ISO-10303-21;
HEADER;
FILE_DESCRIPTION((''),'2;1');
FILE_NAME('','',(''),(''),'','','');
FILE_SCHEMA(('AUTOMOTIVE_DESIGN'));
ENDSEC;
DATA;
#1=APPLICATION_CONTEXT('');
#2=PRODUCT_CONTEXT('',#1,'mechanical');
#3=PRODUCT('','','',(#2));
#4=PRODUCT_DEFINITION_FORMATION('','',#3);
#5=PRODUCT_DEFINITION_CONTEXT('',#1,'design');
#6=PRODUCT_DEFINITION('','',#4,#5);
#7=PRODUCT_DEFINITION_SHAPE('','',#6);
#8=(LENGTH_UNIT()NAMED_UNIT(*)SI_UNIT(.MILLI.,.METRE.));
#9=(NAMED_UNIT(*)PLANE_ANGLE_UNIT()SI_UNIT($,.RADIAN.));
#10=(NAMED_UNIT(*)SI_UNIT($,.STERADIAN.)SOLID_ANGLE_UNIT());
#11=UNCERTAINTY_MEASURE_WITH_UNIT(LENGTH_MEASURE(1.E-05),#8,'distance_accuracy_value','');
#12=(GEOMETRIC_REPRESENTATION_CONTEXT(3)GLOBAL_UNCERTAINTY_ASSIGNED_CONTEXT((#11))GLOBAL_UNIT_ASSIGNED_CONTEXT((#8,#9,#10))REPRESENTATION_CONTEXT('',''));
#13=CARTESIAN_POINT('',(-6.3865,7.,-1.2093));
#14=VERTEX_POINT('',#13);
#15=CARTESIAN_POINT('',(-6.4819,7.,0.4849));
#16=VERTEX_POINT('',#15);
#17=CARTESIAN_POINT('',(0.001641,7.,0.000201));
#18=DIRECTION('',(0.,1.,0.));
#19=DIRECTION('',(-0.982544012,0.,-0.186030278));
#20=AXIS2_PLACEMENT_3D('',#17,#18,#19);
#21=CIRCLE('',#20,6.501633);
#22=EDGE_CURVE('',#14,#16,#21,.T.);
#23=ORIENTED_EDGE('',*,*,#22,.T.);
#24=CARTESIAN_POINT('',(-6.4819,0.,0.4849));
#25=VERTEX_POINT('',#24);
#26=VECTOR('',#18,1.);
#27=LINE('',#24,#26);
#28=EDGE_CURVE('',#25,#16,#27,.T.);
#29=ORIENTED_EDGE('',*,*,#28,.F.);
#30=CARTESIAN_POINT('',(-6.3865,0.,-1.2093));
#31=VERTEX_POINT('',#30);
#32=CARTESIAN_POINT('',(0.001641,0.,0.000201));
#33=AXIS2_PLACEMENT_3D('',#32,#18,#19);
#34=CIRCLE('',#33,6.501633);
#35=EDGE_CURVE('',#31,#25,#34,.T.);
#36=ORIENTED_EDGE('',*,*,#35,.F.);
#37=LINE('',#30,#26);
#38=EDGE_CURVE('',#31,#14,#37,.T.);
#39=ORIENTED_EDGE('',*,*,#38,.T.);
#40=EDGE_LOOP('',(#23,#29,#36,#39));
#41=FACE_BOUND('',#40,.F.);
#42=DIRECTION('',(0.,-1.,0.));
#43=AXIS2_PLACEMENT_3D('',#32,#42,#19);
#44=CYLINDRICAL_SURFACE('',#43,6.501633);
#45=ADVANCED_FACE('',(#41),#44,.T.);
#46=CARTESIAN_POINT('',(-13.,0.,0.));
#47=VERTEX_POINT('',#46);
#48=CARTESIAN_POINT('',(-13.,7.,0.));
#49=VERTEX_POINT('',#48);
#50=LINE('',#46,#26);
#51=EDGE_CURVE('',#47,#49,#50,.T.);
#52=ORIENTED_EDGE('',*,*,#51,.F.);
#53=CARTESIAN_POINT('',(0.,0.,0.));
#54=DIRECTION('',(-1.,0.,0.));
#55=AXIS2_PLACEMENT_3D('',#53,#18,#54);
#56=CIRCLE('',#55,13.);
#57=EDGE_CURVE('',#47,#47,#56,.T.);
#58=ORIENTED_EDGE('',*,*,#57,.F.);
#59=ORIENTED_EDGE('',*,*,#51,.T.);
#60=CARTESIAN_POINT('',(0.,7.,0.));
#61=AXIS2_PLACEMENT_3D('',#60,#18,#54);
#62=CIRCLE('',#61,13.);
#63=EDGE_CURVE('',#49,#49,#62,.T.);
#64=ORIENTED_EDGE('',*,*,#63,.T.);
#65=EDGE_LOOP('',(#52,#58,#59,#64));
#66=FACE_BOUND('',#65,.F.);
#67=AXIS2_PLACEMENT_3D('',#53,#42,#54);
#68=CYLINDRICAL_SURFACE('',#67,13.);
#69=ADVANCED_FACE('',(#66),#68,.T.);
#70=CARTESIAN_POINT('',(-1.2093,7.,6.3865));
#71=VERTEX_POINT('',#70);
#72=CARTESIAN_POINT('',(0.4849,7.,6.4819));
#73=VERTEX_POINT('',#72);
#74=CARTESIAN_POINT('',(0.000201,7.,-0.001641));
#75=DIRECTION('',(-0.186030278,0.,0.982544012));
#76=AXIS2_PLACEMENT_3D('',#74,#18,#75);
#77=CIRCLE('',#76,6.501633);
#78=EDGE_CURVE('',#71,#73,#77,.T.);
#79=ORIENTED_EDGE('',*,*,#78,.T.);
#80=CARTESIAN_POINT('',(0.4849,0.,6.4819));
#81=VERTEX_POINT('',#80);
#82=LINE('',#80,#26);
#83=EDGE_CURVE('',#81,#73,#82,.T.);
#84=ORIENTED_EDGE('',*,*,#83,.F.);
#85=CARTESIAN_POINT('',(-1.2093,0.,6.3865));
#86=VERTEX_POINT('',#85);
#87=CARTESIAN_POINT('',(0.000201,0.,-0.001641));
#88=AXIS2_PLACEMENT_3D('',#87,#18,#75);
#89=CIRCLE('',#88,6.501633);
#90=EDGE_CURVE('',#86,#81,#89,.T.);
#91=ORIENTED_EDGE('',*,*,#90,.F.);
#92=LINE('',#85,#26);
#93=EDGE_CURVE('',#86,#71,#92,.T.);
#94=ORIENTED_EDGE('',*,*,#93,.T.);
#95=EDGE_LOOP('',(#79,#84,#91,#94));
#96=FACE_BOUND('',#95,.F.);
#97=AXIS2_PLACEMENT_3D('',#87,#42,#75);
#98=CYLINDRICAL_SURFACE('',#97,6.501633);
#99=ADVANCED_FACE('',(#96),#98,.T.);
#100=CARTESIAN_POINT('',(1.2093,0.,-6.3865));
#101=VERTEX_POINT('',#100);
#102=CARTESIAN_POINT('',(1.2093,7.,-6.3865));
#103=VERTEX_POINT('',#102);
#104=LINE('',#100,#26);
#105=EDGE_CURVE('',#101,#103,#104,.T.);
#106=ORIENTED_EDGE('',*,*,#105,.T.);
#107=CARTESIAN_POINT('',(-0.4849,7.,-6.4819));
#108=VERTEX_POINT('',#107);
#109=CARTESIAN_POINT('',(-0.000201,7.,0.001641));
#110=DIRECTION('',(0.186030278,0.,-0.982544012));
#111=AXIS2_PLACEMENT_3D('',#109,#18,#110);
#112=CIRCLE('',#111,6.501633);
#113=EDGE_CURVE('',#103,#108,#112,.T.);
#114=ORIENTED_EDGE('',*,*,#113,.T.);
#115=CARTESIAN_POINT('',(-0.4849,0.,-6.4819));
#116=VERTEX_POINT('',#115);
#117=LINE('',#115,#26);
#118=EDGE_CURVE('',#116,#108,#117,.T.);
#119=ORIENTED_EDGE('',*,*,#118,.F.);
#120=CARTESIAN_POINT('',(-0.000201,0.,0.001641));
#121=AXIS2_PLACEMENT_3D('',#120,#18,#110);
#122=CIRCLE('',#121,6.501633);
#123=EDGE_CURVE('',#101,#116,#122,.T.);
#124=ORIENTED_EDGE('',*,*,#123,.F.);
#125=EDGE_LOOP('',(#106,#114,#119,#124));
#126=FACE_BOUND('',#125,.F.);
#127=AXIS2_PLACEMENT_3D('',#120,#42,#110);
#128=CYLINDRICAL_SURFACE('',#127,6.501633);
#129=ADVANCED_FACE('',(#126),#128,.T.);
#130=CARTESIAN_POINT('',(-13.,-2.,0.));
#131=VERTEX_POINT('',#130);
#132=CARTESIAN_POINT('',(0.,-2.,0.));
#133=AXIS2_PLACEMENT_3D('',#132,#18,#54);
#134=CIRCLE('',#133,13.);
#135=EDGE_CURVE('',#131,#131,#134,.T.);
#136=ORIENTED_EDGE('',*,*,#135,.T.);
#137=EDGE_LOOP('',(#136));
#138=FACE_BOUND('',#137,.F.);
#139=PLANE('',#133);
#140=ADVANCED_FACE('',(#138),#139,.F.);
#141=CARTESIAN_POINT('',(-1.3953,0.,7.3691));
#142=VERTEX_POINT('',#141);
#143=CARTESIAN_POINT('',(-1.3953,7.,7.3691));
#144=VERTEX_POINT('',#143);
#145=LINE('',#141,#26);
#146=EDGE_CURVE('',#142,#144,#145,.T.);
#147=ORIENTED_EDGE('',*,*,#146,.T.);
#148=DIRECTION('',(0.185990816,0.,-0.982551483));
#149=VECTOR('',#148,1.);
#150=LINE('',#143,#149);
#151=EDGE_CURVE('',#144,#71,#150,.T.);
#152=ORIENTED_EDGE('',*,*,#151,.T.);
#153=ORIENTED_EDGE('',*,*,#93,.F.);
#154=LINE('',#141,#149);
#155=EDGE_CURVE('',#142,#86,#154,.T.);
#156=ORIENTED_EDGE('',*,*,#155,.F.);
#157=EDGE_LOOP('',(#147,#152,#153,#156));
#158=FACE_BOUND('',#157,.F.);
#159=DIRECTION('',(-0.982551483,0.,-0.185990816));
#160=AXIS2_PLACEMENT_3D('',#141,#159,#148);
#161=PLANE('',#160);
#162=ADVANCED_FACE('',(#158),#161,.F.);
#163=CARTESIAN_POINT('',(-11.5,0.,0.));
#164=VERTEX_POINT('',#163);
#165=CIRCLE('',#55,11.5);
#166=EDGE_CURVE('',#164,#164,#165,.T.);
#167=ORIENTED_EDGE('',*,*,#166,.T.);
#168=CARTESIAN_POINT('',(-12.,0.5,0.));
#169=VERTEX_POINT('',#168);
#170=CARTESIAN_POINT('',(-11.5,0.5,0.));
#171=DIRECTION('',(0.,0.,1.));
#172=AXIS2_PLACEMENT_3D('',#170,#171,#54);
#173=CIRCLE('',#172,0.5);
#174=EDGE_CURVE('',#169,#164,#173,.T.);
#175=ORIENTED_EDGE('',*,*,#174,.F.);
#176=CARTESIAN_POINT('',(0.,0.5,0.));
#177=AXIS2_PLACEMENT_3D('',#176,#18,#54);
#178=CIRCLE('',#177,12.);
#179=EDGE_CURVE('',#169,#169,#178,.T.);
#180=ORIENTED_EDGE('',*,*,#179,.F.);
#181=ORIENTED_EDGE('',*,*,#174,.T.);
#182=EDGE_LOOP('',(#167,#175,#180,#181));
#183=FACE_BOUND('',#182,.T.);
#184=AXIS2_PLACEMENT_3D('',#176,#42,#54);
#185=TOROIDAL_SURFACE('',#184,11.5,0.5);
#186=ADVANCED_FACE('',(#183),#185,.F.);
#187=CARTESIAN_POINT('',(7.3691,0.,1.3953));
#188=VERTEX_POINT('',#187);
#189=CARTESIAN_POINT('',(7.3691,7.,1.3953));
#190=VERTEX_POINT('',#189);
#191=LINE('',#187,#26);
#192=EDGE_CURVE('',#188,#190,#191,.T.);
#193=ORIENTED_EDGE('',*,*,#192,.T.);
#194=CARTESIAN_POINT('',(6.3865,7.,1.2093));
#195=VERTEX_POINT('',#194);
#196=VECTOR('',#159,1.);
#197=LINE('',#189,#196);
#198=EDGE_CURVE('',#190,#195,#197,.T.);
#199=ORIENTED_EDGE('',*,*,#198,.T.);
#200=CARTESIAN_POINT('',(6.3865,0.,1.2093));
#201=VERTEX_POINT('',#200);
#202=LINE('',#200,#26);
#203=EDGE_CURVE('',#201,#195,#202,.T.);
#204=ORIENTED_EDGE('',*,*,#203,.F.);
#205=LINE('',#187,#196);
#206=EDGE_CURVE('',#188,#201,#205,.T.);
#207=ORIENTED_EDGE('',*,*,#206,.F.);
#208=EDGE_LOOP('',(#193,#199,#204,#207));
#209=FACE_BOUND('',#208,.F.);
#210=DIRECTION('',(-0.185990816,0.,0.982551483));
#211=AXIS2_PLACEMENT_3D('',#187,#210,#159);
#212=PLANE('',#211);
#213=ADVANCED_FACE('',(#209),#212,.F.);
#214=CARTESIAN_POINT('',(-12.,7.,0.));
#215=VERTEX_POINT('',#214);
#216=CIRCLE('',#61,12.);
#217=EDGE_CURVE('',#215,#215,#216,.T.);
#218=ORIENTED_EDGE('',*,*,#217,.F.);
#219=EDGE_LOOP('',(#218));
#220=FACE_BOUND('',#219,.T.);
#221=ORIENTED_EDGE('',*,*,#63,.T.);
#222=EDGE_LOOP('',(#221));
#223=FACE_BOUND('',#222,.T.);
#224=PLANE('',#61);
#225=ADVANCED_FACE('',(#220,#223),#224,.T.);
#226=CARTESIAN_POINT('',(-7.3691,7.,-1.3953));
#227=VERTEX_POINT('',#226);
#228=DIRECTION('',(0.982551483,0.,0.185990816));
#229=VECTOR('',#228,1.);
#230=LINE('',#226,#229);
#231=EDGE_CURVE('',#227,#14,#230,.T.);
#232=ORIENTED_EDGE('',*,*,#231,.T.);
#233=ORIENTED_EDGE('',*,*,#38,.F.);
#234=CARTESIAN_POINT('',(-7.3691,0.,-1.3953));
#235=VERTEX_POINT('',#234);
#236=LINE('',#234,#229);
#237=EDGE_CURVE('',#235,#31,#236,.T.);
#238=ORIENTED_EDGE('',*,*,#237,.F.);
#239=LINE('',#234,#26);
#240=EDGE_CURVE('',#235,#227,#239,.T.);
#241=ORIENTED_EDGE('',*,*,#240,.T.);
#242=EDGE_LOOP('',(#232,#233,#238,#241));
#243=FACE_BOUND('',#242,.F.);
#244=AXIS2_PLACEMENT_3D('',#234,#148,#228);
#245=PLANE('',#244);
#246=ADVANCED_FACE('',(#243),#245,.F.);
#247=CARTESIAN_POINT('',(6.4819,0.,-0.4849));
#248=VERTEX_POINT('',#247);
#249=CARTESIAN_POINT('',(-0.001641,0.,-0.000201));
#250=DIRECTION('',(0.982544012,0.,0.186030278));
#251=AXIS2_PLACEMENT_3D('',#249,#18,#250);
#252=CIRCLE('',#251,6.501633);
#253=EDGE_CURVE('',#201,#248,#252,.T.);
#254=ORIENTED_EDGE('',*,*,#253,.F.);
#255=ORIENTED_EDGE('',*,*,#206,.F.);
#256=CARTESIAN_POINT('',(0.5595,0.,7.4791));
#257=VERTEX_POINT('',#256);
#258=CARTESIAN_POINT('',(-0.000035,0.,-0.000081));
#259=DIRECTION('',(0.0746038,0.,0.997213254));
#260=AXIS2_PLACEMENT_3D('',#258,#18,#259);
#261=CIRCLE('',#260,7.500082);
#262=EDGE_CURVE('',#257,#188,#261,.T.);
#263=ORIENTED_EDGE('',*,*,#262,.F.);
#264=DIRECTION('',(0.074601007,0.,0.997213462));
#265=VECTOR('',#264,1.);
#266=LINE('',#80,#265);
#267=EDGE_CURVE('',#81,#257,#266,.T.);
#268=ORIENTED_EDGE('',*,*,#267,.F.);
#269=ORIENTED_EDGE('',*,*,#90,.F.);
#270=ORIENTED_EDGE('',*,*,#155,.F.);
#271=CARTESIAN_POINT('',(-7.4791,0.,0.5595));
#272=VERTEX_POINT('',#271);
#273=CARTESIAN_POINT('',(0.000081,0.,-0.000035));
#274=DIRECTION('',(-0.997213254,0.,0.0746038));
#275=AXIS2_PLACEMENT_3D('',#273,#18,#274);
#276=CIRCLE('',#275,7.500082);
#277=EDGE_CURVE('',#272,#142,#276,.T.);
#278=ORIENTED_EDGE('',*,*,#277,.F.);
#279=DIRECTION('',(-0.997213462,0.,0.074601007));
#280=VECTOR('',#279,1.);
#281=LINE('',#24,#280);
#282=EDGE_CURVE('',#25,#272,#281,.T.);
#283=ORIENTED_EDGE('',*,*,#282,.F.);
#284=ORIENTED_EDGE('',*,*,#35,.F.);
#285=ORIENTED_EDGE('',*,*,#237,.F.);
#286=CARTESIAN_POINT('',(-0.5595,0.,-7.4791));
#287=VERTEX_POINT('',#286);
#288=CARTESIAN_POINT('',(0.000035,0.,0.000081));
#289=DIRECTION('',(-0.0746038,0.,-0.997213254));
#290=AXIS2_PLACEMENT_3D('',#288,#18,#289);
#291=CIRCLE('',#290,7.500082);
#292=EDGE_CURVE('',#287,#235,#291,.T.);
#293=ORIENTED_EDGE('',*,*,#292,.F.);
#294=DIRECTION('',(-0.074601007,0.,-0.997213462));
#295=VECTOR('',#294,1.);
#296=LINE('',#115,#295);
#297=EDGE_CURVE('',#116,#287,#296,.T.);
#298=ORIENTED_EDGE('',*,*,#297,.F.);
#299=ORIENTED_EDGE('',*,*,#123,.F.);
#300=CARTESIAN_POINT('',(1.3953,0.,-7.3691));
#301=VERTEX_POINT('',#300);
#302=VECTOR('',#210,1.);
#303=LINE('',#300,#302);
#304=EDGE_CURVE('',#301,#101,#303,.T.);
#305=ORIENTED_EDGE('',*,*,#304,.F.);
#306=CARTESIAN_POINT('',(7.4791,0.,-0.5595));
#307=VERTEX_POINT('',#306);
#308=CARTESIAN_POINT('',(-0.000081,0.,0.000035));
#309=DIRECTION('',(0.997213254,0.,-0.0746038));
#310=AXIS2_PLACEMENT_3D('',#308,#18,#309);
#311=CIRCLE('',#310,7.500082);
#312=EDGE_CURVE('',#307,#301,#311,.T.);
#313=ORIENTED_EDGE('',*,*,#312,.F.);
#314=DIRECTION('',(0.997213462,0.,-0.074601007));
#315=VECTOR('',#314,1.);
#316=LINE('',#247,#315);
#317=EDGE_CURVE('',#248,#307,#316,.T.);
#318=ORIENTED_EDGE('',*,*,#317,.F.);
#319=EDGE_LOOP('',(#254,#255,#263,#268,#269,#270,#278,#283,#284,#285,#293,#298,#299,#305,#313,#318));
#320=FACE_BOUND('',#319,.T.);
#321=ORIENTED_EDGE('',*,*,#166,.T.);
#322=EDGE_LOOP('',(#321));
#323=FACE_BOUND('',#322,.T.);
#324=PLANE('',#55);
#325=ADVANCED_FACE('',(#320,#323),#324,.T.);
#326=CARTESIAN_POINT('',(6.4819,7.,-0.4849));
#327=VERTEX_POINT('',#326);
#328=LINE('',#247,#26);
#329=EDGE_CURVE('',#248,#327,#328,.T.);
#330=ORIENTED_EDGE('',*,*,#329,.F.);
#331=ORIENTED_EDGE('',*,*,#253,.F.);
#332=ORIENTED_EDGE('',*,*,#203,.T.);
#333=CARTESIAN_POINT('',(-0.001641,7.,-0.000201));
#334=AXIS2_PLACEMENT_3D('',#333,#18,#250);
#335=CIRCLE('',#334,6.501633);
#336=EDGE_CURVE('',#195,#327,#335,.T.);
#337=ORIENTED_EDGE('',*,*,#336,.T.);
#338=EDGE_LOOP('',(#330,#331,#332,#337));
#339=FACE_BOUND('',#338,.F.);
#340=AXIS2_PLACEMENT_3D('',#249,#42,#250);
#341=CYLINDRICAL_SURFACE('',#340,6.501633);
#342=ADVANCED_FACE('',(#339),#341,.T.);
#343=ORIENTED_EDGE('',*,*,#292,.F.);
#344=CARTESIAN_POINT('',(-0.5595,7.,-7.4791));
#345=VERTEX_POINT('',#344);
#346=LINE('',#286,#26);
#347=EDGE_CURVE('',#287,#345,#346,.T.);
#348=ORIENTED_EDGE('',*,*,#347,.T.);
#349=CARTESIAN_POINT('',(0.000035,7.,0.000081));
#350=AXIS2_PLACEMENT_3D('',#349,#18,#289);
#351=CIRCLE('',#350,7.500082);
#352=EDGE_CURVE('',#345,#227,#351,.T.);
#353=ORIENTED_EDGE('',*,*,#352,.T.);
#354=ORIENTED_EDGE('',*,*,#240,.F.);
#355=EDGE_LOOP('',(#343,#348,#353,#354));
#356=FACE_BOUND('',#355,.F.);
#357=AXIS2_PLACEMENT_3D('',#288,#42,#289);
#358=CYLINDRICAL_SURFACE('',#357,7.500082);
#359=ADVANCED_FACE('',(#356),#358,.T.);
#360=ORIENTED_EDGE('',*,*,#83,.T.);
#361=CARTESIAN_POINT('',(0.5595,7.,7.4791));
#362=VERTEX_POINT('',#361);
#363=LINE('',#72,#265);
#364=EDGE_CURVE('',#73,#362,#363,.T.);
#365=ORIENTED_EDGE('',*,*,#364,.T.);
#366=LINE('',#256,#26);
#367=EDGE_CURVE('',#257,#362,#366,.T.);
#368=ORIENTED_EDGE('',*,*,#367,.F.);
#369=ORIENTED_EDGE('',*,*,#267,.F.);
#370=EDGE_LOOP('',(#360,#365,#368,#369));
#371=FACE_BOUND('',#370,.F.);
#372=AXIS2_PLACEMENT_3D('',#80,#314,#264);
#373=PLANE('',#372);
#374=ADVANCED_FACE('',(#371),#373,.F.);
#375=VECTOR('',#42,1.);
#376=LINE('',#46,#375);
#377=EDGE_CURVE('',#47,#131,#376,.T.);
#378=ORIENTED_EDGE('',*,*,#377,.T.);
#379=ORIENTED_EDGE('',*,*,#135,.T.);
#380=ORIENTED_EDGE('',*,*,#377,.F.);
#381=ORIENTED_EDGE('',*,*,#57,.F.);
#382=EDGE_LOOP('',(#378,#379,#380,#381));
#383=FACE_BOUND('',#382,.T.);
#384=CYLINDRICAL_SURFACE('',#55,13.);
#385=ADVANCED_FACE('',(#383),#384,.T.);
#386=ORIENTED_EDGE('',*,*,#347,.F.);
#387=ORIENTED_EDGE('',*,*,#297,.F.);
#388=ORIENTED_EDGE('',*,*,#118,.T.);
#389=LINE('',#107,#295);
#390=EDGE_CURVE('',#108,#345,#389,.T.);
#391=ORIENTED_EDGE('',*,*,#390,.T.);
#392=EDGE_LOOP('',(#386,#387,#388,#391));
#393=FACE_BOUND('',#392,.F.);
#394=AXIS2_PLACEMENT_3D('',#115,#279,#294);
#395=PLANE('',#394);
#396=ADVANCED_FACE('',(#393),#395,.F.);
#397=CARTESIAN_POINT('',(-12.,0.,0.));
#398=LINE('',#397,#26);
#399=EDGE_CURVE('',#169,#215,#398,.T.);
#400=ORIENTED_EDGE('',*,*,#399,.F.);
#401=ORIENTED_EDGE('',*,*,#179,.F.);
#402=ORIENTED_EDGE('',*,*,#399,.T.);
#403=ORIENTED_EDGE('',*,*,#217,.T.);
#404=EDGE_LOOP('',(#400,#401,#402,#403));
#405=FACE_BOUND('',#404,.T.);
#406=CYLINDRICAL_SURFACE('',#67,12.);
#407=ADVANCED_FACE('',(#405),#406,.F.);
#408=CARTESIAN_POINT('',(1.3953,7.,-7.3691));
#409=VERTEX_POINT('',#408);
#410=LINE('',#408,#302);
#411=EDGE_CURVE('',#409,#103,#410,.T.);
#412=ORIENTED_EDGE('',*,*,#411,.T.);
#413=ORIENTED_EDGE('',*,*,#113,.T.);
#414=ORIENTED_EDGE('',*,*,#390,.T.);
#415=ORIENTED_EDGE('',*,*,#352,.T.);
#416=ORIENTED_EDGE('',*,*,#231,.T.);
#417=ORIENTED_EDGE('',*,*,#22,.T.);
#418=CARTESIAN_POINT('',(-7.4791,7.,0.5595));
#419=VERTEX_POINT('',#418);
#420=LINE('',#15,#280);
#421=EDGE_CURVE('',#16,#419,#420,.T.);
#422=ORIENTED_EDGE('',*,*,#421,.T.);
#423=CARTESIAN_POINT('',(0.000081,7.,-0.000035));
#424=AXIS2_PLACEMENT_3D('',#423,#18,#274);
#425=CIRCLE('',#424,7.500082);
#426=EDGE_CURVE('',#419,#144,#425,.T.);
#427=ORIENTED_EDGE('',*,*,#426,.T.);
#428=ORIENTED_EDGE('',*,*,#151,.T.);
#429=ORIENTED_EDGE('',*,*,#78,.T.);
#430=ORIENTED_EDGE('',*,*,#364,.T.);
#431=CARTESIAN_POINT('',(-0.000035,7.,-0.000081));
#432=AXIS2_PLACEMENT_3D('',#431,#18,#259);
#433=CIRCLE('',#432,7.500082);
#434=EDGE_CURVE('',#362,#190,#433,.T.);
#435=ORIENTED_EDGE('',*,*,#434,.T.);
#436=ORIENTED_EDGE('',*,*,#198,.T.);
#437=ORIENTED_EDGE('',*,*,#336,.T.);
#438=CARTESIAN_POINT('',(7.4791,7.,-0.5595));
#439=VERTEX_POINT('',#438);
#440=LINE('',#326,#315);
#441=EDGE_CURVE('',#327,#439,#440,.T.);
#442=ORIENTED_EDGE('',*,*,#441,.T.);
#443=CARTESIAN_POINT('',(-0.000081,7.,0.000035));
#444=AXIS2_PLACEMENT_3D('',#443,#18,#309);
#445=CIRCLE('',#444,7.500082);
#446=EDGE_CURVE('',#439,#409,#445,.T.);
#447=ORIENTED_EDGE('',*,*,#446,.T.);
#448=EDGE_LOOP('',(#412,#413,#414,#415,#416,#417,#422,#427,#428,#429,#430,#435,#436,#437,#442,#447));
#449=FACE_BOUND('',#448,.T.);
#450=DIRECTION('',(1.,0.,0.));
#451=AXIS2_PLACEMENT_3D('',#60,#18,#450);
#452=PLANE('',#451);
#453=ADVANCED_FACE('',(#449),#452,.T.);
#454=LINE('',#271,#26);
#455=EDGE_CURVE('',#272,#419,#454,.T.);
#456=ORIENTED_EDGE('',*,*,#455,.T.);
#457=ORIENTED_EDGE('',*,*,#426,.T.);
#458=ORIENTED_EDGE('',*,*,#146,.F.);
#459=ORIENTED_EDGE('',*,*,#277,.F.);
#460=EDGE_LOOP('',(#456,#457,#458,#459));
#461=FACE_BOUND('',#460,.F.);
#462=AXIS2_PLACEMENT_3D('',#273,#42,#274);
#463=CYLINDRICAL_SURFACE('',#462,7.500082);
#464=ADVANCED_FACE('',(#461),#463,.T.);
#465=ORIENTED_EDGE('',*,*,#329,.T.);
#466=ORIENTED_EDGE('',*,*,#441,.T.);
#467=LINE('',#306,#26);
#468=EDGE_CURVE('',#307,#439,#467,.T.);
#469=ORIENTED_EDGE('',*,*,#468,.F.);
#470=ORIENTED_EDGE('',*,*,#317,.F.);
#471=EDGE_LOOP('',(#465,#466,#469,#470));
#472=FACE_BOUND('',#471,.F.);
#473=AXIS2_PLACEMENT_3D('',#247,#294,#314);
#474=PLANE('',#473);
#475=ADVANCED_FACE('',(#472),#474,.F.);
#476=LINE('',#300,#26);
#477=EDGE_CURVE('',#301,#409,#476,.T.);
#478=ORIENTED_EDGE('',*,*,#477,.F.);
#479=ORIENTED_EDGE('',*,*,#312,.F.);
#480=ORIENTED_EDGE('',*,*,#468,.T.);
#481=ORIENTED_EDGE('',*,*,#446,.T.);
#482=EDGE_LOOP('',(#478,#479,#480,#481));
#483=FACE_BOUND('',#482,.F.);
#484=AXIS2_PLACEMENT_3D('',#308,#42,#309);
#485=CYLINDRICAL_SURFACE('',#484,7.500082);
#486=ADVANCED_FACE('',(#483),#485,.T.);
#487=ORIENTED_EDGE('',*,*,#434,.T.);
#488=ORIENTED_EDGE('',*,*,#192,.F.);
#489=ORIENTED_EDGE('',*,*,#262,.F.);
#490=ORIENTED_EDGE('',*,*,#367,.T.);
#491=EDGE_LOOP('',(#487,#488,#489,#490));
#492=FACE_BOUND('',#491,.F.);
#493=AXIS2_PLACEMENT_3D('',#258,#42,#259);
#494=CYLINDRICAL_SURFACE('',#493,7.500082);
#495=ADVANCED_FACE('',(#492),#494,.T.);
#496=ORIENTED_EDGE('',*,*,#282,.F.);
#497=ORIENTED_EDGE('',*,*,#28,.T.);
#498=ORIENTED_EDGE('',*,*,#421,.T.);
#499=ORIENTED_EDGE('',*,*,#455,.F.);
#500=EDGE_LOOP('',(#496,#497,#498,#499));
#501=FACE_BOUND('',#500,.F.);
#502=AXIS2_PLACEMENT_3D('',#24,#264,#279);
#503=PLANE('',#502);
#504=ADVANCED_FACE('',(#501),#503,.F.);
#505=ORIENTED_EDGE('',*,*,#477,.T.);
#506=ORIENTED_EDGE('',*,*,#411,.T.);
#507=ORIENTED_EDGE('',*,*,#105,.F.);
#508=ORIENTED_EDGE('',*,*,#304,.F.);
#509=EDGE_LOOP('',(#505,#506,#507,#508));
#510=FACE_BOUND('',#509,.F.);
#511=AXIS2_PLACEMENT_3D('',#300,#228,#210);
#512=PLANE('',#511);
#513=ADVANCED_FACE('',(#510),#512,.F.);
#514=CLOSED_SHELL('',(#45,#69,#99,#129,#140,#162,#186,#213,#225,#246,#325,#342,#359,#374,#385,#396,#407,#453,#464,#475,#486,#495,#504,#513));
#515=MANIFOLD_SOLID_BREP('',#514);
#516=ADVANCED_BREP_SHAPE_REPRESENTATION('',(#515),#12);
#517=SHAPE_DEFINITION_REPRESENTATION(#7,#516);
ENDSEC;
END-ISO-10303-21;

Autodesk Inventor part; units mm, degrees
ref_plane "YZ Plane" through (0, 0, 0) normal (1, 0, 0) x (0, 1, 0)
ref_plane "XZ Plane" through (0, 0, 0) normal (0, 1, 0) x (-1, 0, 0)
ref_plane "XY Plane" through (0, 0, 0) normal (0, 0, 1) x (1, 0, 0)
sketch "Szkic1" plane through (0, 0, 0) normal (0, 1, 0) x (-1, 0, 0)
  circle A0 centre (0, 0) radius 12
  circle A1 centre (0, 0) radius 13
  dimension "d0" = 24
  dimension "d1" = 1
extrude "Wyciągnięcie proste1" add sketch "Szkic1" along normal blind 7
extrude "Wyciągnięcie proste2" add sketch "Szkic1" against normal blind 2 contours A0 | A1
sketch "Szkic2" plane through (0, 0, 0) normal (0, 1, 0) x (1, 0, 0)
  circle A0 centre (0, 0) radius 12 projected
  circle A1 centre (0, 0) radius 1.5
  line L0 (-1.3953, -7.3691) -> (-1.2093, -6.3865)
  arc A2 (-1.2093, -6.3865) -> (0.4849, -6.4819) centre (0, 0) ccw
  line L1 (0.4849, -6.4819) -> (0.5595, -7.4791)
  arc A3 (0.5595, -7.4791) -> (7.3691, -1.3953) centre (0, 0) ccw
  line L2 (7.3691, -1.3953) -> (6.3865, -1.2093)
  arc A4 (6.3865, -1.2093) -> (6.4819, 0.4849) centre (0, 0) ccw
  line L3 (6.4819, 0.4849) -> (7.4791, 0.5595)
  arc A5 (7.4791, 0.5595) -> (1.3953, 7.3691) centre (0, 0) ccw
  line L4 (1.3953, 7.3691) -> (1.2093, 6.3865)
  arc A6 (1.2093, 6.3865) -> (-0.4849, 6.4819) centre (0, 0) ccw
  line L5 (-0.4849, 6.4819) -> (-0.5595, 7.4791)
  arc A7 (-0.5595, 7.4791) -> (-7.3691, 1.3953) centre (0, 0) ccw
  line L6 (-7.3691, 1.3953) -> (-6.3865, 1.2093)
  arc A8 (-6.3865, 1.2093) -> (-6.4819, -0.4849) centre (0, 0) ccw
  line L7 (-6.4819, -0.4849) -> (-7.4791, -0.5595)
  arc A9 (-7.4791, -0.5595) -> (-1.3953, -7.3691) centre (0, 0) ccw
  point P0 (10.4507, -2.3919)
extrude "Wyciągnięcie proste3" add sketch "Szkic2" along normal blind 7 contours A1 | A9 L7 A8 L6 A7 L5 A6 L4 A5 L3 A4 L2 A3 L1 A2 L0
fillet "Zaokrąglenie1" radius 0.5 1 edges at (12, 0, 0)
properties part number "forma"
